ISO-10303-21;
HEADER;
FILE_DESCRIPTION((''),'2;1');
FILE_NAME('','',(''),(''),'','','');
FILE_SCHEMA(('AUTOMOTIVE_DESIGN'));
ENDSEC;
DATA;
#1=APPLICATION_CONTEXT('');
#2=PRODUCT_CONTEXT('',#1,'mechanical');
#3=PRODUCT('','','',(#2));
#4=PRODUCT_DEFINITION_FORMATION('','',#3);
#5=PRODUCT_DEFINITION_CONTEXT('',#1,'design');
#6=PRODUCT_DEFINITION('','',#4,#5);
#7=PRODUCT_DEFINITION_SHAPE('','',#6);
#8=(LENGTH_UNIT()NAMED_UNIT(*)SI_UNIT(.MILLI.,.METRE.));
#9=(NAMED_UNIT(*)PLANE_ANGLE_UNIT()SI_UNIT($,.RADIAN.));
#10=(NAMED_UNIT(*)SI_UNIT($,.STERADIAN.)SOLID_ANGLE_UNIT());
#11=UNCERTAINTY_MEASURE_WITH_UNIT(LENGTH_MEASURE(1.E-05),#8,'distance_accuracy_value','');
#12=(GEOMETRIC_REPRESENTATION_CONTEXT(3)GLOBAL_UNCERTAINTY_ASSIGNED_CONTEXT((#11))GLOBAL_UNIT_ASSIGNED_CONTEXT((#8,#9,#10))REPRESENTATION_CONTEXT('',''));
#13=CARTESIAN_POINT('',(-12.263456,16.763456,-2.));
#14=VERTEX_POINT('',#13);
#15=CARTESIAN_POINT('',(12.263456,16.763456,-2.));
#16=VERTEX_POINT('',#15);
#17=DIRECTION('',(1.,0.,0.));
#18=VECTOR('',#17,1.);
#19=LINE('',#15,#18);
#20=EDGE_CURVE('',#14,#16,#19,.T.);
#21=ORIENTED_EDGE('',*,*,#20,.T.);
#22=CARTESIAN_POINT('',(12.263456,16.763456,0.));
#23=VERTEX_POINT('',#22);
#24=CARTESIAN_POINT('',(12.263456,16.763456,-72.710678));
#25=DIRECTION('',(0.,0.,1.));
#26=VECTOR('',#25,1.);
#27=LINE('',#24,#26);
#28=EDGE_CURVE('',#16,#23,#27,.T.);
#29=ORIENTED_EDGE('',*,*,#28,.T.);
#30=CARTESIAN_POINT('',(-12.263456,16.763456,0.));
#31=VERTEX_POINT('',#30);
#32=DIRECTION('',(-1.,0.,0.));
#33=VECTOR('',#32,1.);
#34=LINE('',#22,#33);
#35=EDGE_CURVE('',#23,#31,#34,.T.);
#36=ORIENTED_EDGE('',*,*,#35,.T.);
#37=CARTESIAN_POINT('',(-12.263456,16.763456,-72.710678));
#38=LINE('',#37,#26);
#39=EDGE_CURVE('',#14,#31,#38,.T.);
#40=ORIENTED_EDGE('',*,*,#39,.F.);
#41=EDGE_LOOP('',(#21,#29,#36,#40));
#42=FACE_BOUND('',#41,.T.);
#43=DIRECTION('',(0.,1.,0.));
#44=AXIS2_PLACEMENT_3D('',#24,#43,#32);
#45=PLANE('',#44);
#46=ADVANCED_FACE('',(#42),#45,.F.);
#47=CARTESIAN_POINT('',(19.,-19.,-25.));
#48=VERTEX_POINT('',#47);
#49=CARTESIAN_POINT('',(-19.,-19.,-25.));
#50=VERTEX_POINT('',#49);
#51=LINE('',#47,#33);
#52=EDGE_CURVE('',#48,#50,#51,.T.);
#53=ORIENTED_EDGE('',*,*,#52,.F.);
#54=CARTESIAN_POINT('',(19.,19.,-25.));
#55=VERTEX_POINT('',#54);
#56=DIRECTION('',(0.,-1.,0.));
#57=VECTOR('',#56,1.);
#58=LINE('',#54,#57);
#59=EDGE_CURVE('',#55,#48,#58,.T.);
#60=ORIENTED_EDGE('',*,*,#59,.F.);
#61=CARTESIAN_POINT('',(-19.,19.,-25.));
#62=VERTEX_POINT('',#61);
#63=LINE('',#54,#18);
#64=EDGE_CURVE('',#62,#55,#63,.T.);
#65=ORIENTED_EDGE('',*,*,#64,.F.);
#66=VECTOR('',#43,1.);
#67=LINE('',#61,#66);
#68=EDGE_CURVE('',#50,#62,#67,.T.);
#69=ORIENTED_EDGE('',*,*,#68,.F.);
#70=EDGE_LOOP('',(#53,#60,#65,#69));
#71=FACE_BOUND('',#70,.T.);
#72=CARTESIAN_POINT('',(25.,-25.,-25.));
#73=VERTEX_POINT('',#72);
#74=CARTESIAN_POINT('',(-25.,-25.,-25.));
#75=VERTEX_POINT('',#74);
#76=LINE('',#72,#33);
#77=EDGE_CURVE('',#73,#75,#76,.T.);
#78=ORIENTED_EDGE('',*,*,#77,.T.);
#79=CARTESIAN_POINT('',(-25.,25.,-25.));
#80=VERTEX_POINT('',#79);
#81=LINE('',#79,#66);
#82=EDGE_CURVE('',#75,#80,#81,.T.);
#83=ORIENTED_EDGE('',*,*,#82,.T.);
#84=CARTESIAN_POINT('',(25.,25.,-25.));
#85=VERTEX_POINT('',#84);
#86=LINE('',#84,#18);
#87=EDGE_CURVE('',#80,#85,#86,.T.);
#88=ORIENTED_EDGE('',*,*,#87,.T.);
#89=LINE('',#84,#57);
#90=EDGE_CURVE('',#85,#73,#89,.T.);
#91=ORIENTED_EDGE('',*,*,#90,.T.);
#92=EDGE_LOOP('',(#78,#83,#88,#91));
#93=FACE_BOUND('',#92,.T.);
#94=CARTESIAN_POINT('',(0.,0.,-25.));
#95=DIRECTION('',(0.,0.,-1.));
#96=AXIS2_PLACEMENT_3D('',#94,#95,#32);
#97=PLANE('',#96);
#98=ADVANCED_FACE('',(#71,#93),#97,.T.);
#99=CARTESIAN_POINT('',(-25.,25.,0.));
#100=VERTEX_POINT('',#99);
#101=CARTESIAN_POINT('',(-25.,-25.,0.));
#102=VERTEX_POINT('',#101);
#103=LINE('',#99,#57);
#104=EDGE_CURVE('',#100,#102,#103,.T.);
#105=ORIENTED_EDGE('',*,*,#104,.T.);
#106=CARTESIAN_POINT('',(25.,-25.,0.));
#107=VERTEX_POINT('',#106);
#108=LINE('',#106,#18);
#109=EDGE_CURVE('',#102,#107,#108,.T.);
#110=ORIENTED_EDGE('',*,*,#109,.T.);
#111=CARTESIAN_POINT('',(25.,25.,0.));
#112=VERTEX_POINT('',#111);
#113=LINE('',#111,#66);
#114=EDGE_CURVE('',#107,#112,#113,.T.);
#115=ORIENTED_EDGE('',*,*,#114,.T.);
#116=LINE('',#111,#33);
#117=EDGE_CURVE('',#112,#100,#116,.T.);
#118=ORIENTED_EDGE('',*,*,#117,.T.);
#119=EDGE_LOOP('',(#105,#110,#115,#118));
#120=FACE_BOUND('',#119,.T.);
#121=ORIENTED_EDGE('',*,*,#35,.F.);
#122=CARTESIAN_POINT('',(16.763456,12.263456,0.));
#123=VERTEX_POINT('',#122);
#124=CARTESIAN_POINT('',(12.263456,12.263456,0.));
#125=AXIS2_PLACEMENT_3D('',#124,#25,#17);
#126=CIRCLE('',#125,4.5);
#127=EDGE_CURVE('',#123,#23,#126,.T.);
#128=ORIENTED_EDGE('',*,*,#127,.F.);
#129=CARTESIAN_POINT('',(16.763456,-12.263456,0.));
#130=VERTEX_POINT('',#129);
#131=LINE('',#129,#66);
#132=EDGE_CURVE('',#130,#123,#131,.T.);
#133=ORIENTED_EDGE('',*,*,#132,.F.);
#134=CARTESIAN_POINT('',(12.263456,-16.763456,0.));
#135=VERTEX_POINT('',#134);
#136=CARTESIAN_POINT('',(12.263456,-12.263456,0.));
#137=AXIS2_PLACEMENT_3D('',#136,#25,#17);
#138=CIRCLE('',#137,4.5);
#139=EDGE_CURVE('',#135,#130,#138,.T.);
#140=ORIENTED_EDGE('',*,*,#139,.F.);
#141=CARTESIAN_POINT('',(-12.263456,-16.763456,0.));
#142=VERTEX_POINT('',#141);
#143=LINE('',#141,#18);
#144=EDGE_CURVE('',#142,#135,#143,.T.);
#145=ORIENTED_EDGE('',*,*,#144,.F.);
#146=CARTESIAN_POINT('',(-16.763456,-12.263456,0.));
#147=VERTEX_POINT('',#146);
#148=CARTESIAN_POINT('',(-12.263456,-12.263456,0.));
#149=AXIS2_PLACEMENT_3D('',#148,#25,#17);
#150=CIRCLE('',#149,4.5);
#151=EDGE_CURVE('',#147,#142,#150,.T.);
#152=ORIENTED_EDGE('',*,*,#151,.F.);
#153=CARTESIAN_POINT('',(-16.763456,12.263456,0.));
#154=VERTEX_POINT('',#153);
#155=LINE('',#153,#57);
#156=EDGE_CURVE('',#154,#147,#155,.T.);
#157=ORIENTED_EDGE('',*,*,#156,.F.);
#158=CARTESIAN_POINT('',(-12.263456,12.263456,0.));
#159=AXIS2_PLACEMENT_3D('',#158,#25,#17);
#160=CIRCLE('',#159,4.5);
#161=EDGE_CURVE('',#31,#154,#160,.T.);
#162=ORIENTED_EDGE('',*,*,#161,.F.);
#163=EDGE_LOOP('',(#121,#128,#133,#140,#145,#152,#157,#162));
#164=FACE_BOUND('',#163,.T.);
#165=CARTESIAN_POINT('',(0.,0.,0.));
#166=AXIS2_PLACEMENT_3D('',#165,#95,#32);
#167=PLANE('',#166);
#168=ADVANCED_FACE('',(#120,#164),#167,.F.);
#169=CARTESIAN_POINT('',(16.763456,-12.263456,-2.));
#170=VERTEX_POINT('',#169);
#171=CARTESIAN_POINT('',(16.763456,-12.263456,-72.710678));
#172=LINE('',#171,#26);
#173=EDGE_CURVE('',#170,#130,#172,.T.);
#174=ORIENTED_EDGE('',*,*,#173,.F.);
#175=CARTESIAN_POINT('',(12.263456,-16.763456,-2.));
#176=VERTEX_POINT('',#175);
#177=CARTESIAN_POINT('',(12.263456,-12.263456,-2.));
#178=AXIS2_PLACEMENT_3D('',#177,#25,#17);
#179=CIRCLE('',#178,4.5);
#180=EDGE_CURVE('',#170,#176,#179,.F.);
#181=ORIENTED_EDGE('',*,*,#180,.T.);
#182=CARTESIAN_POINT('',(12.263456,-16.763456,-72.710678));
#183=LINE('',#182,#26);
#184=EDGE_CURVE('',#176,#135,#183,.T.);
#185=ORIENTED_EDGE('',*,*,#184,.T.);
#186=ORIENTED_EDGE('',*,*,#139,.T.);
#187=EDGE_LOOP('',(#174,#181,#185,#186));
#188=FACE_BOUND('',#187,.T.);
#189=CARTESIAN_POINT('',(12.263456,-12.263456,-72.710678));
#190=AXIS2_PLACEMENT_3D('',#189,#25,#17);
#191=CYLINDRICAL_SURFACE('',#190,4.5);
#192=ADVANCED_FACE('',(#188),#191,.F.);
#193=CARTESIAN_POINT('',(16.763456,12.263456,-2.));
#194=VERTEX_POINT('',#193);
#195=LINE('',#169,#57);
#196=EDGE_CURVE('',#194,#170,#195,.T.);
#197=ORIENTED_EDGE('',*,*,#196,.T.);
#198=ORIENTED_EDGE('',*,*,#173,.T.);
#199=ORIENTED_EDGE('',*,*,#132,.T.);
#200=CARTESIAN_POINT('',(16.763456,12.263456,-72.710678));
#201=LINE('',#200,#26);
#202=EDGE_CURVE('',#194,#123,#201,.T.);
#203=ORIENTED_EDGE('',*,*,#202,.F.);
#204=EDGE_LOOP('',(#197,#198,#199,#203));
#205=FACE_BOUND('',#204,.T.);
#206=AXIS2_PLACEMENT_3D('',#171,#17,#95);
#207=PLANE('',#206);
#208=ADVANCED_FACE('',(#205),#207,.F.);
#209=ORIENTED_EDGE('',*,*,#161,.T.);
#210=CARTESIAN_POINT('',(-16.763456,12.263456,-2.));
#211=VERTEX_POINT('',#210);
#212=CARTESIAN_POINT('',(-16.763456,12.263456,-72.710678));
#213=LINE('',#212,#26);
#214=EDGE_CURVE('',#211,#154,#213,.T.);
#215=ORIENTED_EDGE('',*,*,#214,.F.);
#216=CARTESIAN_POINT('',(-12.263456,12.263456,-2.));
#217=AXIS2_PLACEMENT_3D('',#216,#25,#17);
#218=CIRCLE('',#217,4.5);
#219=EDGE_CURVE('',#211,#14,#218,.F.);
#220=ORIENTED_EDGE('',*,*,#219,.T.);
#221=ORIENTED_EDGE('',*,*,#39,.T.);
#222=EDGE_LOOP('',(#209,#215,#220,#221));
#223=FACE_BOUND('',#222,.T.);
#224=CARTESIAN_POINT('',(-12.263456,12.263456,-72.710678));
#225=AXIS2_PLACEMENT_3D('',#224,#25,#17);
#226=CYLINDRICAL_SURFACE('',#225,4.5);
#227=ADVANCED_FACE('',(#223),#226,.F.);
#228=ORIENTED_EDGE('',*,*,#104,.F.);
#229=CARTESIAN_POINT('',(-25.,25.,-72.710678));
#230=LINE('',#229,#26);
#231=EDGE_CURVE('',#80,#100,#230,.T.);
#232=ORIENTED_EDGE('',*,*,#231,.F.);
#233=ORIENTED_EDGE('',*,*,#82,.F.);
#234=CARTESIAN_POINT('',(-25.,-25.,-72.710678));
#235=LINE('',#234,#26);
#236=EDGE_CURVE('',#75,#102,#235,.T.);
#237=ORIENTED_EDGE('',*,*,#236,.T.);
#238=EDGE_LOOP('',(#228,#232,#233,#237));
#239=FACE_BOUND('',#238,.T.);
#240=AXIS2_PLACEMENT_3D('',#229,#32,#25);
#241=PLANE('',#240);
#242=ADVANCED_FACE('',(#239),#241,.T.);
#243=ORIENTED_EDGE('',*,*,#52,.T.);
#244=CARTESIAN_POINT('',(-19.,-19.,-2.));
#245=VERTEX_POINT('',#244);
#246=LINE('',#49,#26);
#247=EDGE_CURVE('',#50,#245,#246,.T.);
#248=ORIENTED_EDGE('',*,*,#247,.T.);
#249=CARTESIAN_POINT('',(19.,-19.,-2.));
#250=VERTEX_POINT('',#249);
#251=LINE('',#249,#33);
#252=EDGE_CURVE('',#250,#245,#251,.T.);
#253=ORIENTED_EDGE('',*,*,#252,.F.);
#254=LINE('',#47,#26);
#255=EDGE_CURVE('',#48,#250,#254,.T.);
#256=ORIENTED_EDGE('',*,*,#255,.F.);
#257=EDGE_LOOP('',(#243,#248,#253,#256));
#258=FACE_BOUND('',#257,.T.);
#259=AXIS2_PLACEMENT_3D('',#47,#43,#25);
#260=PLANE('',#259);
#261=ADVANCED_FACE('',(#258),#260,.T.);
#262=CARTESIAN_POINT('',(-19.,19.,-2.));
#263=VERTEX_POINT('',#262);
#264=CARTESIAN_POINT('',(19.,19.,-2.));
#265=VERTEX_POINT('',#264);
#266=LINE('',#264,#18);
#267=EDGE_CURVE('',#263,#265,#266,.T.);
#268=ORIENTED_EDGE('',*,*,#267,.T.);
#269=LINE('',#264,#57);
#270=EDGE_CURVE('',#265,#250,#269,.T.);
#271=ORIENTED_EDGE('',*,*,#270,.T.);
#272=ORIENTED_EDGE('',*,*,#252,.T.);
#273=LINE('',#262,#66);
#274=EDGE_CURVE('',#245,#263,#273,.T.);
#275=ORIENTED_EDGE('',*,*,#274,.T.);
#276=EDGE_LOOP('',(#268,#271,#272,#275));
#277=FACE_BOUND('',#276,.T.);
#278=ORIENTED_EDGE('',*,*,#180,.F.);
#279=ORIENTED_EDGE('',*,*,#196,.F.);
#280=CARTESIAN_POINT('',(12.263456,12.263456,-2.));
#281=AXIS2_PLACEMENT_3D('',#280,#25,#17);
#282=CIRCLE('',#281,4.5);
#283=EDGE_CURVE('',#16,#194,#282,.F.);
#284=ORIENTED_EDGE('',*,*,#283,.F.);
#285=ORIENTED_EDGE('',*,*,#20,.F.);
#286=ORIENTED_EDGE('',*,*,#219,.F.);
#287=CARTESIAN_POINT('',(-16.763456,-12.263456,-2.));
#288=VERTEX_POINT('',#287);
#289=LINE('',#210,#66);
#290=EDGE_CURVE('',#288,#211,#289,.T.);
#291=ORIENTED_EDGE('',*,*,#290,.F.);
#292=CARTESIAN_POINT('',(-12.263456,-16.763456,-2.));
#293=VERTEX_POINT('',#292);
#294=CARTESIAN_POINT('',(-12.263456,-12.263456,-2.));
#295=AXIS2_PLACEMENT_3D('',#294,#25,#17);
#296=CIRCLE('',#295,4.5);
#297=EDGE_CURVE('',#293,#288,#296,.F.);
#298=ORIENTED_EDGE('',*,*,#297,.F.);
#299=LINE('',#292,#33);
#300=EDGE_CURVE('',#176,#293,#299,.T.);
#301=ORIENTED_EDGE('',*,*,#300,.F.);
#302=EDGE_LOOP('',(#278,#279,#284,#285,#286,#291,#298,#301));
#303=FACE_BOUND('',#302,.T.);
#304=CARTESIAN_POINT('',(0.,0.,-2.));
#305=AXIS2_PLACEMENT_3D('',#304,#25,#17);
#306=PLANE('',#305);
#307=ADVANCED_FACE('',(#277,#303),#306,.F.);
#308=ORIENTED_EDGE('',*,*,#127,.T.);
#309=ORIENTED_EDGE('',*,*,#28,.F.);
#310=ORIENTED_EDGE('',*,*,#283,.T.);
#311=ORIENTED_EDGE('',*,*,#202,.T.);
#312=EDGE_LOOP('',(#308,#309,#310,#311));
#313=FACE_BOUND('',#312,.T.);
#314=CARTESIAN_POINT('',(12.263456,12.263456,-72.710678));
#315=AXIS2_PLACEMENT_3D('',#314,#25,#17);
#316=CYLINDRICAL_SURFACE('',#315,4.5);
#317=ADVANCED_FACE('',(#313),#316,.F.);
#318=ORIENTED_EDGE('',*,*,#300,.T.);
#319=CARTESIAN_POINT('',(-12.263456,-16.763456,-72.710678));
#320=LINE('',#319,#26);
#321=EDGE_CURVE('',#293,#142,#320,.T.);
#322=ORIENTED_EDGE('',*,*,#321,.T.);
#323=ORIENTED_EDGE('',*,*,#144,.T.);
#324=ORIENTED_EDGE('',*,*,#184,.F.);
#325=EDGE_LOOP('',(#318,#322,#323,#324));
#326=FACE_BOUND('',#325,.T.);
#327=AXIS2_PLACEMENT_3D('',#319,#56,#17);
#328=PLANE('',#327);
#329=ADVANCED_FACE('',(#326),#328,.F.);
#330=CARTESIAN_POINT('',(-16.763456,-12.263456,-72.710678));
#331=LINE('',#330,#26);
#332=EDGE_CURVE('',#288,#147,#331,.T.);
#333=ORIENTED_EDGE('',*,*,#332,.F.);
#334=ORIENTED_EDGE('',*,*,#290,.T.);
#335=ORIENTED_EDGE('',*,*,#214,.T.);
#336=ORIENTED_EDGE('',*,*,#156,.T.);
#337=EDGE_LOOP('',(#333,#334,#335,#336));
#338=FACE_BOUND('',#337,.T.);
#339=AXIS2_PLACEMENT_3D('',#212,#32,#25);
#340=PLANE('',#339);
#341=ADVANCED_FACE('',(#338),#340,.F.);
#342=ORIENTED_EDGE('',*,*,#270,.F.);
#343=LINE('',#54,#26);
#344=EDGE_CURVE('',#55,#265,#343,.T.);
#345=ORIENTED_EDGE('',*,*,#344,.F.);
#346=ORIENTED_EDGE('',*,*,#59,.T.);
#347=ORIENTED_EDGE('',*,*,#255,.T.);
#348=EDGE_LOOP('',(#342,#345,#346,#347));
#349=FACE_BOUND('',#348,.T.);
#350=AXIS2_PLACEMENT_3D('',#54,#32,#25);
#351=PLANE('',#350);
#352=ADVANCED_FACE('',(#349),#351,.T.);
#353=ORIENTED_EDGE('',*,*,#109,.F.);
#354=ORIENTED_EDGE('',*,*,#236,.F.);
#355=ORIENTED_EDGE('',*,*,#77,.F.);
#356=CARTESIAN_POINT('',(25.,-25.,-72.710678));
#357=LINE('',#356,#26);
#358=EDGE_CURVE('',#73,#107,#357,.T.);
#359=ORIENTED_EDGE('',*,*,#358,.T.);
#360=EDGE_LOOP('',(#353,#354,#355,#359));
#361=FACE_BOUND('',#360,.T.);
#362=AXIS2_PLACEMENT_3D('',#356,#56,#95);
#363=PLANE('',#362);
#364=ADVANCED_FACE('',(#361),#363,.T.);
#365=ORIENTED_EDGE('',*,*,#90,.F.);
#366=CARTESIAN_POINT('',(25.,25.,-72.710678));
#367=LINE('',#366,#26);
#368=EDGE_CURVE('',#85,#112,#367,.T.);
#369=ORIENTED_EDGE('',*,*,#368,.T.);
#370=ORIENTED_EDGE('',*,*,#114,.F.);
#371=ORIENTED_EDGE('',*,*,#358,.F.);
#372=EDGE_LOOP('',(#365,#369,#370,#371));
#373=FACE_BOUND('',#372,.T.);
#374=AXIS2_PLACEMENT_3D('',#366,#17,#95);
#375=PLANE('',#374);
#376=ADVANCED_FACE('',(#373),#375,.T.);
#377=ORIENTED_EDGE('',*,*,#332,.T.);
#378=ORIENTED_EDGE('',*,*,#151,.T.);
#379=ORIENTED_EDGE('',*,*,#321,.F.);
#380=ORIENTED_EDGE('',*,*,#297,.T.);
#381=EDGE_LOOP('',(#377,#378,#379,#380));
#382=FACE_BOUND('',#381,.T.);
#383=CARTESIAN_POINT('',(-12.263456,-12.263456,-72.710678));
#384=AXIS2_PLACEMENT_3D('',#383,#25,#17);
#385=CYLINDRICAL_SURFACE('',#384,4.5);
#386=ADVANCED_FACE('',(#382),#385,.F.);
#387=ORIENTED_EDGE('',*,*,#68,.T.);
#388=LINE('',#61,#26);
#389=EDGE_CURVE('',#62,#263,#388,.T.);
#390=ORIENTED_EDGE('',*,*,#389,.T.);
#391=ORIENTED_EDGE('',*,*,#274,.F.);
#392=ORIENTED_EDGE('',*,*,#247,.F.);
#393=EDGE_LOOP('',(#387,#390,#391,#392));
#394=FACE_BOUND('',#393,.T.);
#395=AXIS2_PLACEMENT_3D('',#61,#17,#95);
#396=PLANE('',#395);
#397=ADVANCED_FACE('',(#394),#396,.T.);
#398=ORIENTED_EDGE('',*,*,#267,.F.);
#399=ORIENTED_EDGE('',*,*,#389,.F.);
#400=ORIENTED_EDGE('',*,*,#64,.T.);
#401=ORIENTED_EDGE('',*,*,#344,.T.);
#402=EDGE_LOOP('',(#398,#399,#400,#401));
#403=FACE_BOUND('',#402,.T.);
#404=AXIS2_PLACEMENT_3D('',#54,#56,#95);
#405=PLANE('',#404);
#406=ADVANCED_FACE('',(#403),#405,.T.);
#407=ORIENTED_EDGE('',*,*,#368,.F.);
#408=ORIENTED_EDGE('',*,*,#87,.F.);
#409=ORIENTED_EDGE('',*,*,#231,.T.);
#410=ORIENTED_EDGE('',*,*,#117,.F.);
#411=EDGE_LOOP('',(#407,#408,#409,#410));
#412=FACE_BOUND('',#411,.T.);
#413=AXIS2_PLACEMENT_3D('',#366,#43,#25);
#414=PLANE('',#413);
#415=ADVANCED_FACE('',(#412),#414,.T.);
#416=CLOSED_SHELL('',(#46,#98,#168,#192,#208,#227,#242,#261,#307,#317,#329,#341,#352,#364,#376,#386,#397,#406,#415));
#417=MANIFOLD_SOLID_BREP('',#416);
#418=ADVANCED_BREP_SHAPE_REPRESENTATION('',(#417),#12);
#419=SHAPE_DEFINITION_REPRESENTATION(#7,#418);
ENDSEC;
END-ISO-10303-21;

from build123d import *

# Parameters (mm, degrees)
SKETCH1_W           = 50
SKETCH1_H           = 50
BOSS_EXTRUDE1_DEPTH = 2
SKETCH2_W           = 50
SKETCH2_H           = 50
SKETCH2_W_2         = 38
SKETCH2_H_2         = 38
BOSS_EXTRUDE2_DEPTH = 23


with BuildPart() as part:
    # Sketch1 → Boss-Extrude1 (new body)
    with BuildSketch(Plane.XY):
        Rectangle(SKETCH1_W, SKETCH1_H)
        with BuildLine():
            Line((12.263455967, 16.763455967), (-12.263455967, 16.763455967))
            ThreePointArc((-12.263455967, 16.763455967), (-15.445436483, 15.445436483), (-16.763455967, 12.263455967))
            Line((-16.763455967, 12.263455967), (-16.763455967, -12.263455967))
            ThreePointArc((-16.763455967, -12.263455967), (-15.445436483, -15.445436483), (-12.263455967, -16.763455967))
            Line((-12.263455967, -16.763455967), (12.263455967, -16.763455967))
            ThreePointArc((12.263455967, -16.763455967), (15.445436483, -15.445436483), (16.763455967, -12.263455967))
            Line((16.763455967, -12.263455967), (16.763455967, 12.263455967))
            ThreePointArc((16.763455967, 12.263455967), (15.445436483, 15.445436483), (12.263455967, 16.763455967))
        make_face(mode=Mode.SUBTRACT)
    extrude(amount=-BOSS_EXTRUDE1_DEPTH)

    # Sketch2 → Boss-Extrude2 (add)
    with BuildSketch(Plane(origin=(0, 0, -2), x_dir=(-1, 0, 0), z_dir=(0, 0, -1))):
        Rectangle(SKETCH2_W, SKETCH2_H)
        Rectangle(SKETCH2_W_2, SKETCH2_H_2, mode=Mode.SUBTRACT)
    extrude(amount=BOSS_EXTRUDE2_DEPTH)


solid = part.part
